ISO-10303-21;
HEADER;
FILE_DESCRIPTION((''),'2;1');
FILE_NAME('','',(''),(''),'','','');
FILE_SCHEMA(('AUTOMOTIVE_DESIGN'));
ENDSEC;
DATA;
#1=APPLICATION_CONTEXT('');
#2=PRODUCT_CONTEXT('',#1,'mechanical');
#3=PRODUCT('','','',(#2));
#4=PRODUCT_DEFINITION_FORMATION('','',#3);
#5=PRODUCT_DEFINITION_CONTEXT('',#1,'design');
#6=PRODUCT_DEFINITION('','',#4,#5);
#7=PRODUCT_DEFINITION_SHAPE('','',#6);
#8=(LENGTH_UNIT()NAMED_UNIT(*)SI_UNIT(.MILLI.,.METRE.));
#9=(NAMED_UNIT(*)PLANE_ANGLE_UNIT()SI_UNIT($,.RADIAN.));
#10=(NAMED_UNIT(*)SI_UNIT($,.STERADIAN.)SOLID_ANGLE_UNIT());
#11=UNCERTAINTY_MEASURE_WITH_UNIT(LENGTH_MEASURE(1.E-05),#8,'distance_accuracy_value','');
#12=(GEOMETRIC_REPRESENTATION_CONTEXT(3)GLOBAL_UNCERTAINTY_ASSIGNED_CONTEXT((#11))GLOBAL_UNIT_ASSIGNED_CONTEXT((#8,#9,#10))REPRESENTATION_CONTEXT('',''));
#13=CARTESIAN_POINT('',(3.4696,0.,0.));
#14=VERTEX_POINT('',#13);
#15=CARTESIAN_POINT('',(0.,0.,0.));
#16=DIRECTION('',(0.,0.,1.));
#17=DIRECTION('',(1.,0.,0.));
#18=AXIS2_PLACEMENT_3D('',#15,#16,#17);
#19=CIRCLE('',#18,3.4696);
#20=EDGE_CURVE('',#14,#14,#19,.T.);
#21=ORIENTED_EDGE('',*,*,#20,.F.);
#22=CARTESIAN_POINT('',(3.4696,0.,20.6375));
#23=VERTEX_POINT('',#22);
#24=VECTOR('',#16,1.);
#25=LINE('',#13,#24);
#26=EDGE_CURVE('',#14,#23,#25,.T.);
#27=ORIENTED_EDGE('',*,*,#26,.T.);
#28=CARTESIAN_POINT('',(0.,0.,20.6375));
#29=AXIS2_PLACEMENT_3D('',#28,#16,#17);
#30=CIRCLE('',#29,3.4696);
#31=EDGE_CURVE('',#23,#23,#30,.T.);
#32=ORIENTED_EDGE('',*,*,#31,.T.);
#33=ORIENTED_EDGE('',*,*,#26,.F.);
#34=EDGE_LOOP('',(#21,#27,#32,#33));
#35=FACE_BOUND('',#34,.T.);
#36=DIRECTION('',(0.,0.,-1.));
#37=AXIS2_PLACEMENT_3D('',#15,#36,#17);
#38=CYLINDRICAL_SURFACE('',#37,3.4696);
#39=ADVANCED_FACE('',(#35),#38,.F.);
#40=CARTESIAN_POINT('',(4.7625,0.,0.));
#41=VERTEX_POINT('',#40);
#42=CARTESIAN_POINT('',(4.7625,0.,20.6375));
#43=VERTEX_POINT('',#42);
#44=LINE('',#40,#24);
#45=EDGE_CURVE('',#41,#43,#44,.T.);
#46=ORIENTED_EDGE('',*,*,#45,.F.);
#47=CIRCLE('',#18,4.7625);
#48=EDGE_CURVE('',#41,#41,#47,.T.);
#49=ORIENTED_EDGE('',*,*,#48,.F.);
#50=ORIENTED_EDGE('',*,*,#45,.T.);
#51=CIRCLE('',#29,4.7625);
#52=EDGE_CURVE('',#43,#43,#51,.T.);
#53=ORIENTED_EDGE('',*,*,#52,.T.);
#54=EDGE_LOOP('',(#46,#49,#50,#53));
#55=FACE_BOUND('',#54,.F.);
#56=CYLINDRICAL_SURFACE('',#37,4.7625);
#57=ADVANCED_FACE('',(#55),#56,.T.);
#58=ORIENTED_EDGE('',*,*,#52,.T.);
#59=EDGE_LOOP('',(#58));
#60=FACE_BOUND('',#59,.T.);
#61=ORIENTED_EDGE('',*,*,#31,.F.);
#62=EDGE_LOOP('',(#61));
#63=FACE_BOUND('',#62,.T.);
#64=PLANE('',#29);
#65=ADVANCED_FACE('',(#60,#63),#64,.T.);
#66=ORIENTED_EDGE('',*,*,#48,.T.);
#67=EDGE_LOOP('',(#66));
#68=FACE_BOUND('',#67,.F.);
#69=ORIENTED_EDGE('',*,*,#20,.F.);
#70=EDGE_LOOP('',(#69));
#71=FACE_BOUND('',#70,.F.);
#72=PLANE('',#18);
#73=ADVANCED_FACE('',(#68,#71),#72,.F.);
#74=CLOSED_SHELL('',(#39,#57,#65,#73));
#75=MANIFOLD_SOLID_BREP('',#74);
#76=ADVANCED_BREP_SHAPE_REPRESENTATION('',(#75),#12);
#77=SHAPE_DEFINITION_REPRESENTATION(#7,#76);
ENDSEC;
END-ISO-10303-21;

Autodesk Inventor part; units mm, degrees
ref_plane "YZ Plane" through (0, 0, 0) normal (1, 0, 0) x (0, 1, 0)
ref_plane "XZ Plane" through (0, 0, 0) normal (0, 1, 0) x (-1, 0, 0)
ref_plane "XY Plane" through (0, 0, 0) normal (0, 0, 1) x (1, 0, 0)
sketch "Sketch1" plane through (0, 0, 0) normal (0, 0, 1) x (1, 0, 0)
  circle A0 centre (0, 0) radius 4.7625
  circle A1 centre (0, 0) radius 3.4696
  dimension "springDiameter" = 9.525
  dimension "d3" = 6.9392
extrude "Extrusion1" add sketch "Sketch1" along normal blind 20.6375
properties part number "BatteryLatch-Spring"
